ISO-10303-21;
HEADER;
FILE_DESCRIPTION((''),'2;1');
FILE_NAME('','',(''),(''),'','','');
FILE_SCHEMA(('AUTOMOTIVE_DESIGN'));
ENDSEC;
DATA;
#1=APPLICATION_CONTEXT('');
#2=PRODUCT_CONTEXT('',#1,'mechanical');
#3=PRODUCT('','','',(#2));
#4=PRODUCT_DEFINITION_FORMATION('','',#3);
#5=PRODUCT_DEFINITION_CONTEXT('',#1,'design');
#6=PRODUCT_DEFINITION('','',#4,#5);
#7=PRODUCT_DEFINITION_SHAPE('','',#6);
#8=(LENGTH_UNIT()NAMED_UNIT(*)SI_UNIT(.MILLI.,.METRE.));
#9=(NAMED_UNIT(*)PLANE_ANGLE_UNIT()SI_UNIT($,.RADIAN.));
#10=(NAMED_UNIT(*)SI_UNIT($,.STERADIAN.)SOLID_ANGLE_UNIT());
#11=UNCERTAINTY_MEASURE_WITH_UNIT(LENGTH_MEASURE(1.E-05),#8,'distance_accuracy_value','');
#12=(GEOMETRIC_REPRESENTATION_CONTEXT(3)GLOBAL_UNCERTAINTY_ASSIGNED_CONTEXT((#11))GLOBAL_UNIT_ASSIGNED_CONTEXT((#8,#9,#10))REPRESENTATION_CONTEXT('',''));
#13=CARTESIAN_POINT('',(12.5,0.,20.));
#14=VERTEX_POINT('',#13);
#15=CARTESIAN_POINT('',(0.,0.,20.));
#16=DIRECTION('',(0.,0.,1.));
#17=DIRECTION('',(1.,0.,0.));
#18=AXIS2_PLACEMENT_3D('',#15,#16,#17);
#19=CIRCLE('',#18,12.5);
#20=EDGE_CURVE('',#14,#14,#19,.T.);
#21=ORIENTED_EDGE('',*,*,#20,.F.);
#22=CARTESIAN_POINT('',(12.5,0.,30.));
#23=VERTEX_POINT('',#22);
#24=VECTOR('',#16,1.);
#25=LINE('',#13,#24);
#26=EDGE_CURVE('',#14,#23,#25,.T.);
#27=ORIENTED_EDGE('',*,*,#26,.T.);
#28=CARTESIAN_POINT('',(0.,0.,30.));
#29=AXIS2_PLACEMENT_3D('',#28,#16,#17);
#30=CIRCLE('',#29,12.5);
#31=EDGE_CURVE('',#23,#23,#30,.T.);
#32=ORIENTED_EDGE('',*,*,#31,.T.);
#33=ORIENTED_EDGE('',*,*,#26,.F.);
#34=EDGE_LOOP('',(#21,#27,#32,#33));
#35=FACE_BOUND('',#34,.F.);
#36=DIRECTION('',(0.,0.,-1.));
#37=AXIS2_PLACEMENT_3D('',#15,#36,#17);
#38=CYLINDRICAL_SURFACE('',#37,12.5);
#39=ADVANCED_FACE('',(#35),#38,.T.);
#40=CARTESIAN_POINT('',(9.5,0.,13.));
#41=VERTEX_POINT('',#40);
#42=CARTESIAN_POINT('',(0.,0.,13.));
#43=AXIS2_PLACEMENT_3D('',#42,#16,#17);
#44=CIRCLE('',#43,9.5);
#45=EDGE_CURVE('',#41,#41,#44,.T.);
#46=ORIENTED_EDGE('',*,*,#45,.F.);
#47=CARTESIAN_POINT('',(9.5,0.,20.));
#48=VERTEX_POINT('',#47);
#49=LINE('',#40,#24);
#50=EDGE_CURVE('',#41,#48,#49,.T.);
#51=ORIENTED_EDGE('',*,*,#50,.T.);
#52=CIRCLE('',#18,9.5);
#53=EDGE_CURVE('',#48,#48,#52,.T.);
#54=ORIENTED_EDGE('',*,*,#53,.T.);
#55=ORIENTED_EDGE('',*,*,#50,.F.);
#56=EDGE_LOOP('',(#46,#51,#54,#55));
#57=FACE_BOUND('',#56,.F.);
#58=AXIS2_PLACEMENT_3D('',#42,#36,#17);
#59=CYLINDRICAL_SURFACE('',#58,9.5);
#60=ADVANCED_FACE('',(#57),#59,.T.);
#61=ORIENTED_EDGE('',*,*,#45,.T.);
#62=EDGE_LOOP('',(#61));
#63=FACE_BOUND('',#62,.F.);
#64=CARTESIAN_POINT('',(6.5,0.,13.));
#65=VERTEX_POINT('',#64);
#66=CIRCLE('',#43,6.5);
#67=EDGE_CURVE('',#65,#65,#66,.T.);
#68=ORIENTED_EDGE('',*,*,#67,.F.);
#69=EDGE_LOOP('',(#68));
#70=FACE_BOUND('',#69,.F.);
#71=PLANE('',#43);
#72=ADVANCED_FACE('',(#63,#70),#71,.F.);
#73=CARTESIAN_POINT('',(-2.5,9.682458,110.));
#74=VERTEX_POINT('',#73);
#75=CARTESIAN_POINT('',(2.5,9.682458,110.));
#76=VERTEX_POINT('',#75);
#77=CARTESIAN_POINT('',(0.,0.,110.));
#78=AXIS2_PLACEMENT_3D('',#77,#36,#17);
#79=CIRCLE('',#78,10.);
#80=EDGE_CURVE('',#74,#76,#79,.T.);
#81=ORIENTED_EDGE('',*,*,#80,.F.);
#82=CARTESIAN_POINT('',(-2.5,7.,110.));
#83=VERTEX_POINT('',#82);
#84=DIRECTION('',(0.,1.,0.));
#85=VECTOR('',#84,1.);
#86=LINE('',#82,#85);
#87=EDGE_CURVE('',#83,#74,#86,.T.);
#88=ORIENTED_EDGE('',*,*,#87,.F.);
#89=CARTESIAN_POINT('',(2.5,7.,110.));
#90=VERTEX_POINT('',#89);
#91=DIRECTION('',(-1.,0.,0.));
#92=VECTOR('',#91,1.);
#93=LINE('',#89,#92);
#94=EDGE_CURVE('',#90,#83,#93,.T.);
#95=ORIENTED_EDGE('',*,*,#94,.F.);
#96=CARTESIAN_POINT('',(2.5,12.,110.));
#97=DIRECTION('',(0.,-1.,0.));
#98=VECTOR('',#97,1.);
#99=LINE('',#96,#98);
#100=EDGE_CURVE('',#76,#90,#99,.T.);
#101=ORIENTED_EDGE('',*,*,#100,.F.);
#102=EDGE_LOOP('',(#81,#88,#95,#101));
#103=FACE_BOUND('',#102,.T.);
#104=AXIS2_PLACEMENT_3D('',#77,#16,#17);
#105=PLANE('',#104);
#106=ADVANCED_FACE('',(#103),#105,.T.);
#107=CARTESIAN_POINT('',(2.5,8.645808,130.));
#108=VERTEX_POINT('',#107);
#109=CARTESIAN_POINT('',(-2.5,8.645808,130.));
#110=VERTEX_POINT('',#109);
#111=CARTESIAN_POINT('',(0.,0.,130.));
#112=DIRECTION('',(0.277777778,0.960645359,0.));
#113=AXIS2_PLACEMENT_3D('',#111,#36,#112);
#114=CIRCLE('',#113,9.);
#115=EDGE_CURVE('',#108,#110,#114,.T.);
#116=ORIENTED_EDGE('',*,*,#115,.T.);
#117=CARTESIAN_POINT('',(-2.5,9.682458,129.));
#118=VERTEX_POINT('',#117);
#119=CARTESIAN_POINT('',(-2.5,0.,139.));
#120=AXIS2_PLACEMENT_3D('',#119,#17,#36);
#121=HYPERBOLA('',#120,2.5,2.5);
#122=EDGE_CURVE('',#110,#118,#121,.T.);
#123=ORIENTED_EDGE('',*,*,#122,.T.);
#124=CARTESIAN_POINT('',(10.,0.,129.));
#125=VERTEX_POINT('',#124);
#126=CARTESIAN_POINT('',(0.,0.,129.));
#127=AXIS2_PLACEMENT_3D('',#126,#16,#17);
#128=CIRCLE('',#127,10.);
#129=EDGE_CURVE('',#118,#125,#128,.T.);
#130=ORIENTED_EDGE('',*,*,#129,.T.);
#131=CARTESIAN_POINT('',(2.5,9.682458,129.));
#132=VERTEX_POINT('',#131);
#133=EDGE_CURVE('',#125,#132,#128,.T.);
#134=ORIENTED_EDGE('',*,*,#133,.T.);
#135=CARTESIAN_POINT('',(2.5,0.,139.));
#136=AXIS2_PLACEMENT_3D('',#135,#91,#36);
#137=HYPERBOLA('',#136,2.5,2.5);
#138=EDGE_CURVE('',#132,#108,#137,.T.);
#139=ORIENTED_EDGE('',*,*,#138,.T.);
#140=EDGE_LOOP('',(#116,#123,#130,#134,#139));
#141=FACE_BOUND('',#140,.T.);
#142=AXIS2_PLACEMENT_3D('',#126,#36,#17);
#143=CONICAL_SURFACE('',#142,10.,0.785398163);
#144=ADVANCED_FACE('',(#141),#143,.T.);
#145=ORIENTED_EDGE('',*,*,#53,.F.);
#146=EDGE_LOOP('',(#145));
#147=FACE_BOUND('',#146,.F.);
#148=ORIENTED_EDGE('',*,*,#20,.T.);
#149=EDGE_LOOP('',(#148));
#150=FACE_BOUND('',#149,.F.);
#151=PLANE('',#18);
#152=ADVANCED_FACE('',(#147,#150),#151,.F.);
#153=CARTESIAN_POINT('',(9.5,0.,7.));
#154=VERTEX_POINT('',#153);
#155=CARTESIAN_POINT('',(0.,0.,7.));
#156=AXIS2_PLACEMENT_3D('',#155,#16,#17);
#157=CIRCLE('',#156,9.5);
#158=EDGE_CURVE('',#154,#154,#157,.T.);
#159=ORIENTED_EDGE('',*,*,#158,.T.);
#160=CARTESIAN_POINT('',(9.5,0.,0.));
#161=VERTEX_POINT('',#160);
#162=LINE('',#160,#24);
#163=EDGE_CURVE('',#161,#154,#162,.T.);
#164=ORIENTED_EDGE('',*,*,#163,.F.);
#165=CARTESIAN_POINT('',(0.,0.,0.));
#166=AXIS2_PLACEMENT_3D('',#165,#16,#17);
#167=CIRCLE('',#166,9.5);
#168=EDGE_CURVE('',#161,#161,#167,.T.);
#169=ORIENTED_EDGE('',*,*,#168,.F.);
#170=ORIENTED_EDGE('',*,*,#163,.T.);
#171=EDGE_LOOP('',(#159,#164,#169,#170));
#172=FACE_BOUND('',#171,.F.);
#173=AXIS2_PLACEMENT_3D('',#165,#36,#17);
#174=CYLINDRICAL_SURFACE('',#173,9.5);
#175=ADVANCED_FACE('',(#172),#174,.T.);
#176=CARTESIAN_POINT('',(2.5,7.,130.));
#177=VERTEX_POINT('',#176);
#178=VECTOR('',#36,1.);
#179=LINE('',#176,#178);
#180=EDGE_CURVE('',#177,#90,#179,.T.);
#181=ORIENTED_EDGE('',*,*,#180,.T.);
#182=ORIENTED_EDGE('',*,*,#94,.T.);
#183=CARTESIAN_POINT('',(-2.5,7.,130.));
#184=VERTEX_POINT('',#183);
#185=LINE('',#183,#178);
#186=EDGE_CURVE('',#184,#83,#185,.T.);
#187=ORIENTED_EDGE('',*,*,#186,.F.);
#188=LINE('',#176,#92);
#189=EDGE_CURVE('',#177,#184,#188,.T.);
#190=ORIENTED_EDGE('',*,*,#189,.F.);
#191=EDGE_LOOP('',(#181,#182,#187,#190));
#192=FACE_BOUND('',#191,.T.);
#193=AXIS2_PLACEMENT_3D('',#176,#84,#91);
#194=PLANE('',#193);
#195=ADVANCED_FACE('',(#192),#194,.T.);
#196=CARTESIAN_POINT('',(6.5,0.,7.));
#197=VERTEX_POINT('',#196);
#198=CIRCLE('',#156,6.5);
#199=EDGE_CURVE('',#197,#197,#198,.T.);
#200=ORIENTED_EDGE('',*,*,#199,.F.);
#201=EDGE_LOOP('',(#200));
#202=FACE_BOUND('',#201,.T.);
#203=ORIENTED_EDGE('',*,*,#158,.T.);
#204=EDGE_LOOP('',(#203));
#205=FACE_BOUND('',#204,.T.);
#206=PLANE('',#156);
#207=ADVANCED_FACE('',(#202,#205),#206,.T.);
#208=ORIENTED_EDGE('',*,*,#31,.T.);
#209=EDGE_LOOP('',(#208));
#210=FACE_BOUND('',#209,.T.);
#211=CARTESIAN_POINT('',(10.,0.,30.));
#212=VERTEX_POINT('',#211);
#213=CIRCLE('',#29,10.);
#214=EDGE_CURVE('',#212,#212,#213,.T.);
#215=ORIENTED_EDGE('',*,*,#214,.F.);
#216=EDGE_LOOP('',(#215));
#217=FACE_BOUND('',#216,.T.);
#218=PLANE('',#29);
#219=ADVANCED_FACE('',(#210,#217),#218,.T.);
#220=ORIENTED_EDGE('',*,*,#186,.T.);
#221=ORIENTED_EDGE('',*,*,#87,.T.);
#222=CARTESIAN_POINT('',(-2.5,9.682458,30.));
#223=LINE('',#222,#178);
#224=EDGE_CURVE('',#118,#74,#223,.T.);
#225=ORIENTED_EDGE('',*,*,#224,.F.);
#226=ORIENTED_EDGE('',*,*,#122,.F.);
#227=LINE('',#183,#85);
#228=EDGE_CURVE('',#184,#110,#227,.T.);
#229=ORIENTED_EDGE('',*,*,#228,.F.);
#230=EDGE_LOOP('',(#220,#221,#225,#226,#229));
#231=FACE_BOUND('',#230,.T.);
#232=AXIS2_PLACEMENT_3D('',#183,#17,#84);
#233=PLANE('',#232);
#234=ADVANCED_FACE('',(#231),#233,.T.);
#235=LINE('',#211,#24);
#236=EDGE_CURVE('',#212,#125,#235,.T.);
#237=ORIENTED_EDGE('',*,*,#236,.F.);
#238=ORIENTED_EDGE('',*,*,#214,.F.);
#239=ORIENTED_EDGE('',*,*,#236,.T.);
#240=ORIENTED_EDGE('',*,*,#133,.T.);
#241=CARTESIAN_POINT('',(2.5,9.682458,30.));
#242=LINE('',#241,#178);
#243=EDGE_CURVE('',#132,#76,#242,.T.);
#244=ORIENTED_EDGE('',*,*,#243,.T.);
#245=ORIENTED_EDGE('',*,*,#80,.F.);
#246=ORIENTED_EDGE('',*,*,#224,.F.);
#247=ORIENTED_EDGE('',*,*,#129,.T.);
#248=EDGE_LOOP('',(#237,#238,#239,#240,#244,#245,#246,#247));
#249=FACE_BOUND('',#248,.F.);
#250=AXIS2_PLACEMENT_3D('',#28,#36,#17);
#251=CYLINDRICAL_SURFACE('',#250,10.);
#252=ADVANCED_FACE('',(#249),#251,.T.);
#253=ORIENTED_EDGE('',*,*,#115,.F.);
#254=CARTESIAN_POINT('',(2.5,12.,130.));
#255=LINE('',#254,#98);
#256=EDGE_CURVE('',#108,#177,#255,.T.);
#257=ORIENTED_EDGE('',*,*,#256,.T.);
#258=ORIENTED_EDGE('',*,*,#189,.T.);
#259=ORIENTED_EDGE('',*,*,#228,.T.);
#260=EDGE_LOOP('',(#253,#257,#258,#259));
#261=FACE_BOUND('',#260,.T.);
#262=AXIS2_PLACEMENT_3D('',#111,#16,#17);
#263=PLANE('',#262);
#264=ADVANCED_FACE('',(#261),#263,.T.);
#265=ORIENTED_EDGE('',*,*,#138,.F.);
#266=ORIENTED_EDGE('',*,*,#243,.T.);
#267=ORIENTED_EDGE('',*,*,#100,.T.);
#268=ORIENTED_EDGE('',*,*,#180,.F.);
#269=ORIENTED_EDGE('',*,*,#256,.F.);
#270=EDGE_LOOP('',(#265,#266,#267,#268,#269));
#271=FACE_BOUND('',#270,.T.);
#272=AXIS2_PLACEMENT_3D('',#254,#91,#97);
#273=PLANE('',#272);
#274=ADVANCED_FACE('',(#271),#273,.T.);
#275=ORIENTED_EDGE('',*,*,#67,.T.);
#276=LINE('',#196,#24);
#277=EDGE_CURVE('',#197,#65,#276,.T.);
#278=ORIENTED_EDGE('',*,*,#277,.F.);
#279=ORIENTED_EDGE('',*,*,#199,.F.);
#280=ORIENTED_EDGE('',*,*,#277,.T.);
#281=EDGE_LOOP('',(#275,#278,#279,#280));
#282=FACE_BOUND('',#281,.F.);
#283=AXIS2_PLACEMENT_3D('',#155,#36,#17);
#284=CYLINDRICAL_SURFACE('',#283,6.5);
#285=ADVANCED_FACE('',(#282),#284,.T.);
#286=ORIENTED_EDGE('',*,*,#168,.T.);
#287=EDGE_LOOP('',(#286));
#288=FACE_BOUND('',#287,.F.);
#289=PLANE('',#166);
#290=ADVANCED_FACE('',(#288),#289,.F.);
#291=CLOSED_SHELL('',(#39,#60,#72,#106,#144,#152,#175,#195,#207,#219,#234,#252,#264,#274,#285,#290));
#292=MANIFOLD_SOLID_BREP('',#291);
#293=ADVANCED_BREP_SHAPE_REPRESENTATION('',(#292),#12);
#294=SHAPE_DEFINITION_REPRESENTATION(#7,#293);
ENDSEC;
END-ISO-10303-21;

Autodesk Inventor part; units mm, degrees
ref_plane "YZ Plane" through (0, 0, 0) normal (1, 0, 0) x (0, 1, 0)
ref_plane "XZ Plane" through (0, 0, 0) normal (0, 1, 0) x (-1, 0, 0)
ref_plane "XY Plane" through (0, 0, 0) normal (0, 0, 1) x (1, 0, 0)
sketch "Sketch1" plane through (0, 0, 0) normal (0, 0, 1) x (1, 0, 0)
  circle A0 centre (0, 0) radius 9.5
  dimension "d0" = 19
extrude "Extrusion1" add sketch "Sketch1" along normal blind 7
sketch "Sketch2" plane through (0, 0, 7) normal (0, 0, 1) x (1, 0, 0)
  circle A0 centre (0, 0) radius 6.5
  dimension "d3" = 13
extrude "Extrusion2" add sketch "Sketch2" along normal blind 6
sketch "Sketch3" plane through (0, 0, 13) normal (0, 0, 1) x (1, 0, 0)
  circle A0 centre (0, 0) radius 9.5
  dimension "d6" = 19
extrude "Extrusion3" add sketch "Sketch3" along normal blind 7
sketch "Sketch4" plane through (0, 0, 20) normal (0, 0, 1) x (1, 0, 0)
  circle A0 centre (0, 0) radius 12.5
  dimension "d9" = 25
extrude "Extrusion4" add sketch "Sketch4" along normal blind 10
sketch "Sketch5" plane through (0, 0, 30) normal (0, 0, 1) x (1, 0, 0)
  circle A0 centre (0, 0) radius 10
  dimension "d12" = 20
extrude "Extrusion5" add sketch "Sketch5" along normal blind 100
chamfer "Chamfer1" distance 1 angle 45 1 edges at (-10, 0, 130)
sketch "Sketch6" plane through (0, 0, 130) normal (0, 0, 1) x (1, 0, 0)
  line L0 (-2.5, 12) -> (2.5, 12)
  line L1 (2.5, 12) -> (2.5, 7)
  line L2 (2.5, 7) -> (-2.5, 7)
  line L3 (-2.5, 7) -> (-2.5, 12)
  point P0 (0, 0)
  point P1 (0, 7)
  dimension "d18" = 5
  dimension "d19" = 5
  dimension "d20" = 7
extrude "Extrusion6" cut sketch "Sketch6" against normal blind 20
properties part number "shaft"
